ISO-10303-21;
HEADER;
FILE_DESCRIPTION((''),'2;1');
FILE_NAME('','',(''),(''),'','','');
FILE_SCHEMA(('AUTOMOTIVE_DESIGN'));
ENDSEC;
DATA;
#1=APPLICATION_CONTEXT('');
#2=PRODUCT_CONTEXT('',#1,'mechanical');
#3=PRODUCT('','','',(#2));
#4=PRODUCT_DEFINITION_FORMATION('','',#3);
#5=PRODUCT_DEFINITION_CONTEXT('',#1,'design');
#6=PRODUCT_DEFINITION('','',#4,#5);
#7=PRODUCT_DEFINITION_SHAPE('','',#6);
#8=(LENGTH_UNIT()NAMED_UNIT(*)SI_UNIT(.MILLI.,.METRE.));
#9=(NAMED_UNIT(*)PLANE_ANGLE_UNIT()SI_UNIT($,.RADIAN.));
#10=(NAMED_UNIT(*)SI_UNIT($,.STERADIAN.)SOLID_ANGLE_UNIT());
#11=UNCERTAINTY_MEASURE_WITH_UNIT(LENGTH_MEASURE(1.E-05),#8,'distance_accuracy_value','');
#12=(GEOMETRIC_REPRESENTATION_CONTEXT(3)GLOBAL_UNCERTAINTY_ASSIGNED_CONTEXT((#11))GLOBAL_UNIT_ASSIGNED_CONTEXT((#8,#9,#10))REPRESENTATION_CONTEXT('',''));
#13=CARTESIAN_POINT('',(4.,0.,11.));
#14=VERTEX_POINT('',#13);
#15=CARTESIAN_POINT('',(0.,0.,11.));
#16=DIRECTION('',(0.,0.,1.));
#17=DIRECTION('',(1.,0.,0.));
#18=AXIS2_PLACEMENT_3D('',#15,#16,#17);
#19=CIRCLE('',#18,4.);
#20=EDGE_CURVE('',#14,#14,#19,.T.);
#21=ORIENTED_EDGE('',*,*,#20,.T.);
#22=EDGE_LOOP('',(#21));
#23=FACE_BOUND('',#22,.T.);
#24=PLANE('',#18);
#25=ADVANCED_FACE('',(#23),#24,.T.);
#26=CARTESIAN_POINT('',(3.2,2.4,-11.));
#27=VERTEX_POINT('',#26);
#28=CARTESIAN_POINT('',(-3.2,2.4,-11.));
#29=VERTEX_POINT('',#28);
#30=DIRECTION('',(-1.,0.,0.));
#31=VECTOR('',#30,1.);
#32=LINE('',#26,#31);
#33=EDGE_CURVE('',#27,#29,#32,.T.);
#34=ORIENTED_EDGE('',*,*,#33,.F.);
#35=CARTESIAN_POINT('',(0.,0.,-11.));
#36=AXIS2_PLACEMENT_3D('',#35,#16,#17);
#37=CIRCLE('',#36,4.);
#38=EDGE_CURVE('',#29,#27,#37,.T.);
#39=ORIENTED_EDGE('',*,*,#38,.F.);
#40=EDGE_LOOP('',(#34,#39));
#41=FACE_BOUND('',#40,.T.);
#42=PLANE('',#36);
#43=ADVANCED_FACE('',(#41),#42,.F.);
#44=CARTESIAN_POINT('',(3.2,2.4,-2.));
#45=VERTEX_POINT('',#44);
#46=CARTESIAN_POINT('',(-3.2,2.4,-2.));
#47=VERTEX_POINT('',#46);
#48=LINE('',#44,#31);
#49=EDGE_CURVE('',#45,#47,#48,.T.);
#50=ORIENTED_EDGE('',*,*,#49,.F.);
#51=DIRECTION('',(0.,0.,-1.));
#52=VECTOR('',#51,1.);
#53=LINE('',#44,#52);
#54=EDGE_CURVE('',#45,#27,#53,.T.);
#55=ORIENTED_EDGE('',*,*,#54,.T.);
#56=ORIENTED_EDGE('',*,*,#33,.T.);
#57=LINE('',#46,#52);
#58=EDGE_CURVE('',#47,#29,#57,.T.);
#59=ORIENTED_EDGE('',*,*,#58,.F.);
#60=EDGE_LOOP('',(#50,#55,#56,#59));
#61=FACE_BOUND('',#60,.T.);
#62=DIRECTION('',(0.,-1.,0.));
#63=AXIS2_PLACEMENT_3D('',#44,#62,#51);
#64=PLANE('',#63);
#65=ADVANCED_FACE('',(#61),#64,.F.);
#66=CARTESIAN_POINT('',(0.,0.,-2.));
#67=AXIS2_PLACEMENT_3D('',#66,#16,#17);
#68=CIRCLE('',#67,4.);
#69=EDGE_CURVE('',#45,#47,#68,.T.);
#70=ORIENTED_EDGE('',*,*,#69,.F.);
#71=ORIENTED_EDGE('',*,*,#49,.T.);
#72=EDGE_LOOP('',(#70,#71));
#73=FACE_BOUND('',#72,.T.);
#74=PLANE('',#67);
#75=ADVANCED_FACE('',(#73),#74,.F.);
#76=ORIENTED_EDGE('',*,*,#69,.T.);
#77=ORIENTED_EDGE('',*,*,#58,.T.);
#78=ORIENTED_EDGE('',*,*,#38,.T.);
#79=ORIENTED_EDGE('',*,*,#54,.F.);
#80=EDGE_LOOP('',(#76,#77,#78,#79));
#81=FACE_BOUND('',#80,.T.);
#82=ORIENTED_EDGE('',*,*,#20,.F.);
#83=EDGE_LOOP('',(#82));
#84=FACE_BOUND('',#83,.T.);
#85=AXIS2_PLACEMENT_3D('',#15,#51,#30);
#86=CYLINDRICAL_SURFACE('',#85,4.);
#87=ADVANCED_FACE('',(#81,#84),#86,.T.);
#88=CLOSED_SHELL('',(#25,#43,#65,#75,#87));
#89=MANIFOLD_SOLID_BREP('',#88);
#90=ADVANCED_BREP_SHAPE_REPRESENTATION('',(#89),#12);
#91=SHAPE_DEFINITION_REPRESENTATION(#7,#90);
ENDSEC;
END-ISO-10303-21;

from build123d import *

# Parameters (mm, degrees)
CROQUIS1_R              = 4
SALIENTE_EXTRUIR1_DEPTH = 11
CORTAR_EXTRUIR1_DEPTH   = 9


with BuildPart() as part:
    # Croquis1 → Saliente-Extruir1 (new body, symmetric)
    with BuildSketch(Plane.XY):
        Circle(CROQUIS1_R)
    extrude(amount=SALIENTE_EXTRUIR1_DEPTH, both=True)

    # Croquis2 → Cortar-Extruir1 (cut)
    with BuildSketch(Plane(origin=(0, 0, -11), x_dir=(-1, 0, 0), z_dir=(0, 0, -1))):
        with BuildLine():
            Line((-3.2, 2.4), (3.2, 2.4))
            ThreePointArc((3.2, 2.4), (0, 4), (-3.2, 2.4))
        make_face()
    extrude(amount=-CORTAR_EXTRUIR1_DEPTH, mode=Mode.SUBTRACT)


solid = part.part
